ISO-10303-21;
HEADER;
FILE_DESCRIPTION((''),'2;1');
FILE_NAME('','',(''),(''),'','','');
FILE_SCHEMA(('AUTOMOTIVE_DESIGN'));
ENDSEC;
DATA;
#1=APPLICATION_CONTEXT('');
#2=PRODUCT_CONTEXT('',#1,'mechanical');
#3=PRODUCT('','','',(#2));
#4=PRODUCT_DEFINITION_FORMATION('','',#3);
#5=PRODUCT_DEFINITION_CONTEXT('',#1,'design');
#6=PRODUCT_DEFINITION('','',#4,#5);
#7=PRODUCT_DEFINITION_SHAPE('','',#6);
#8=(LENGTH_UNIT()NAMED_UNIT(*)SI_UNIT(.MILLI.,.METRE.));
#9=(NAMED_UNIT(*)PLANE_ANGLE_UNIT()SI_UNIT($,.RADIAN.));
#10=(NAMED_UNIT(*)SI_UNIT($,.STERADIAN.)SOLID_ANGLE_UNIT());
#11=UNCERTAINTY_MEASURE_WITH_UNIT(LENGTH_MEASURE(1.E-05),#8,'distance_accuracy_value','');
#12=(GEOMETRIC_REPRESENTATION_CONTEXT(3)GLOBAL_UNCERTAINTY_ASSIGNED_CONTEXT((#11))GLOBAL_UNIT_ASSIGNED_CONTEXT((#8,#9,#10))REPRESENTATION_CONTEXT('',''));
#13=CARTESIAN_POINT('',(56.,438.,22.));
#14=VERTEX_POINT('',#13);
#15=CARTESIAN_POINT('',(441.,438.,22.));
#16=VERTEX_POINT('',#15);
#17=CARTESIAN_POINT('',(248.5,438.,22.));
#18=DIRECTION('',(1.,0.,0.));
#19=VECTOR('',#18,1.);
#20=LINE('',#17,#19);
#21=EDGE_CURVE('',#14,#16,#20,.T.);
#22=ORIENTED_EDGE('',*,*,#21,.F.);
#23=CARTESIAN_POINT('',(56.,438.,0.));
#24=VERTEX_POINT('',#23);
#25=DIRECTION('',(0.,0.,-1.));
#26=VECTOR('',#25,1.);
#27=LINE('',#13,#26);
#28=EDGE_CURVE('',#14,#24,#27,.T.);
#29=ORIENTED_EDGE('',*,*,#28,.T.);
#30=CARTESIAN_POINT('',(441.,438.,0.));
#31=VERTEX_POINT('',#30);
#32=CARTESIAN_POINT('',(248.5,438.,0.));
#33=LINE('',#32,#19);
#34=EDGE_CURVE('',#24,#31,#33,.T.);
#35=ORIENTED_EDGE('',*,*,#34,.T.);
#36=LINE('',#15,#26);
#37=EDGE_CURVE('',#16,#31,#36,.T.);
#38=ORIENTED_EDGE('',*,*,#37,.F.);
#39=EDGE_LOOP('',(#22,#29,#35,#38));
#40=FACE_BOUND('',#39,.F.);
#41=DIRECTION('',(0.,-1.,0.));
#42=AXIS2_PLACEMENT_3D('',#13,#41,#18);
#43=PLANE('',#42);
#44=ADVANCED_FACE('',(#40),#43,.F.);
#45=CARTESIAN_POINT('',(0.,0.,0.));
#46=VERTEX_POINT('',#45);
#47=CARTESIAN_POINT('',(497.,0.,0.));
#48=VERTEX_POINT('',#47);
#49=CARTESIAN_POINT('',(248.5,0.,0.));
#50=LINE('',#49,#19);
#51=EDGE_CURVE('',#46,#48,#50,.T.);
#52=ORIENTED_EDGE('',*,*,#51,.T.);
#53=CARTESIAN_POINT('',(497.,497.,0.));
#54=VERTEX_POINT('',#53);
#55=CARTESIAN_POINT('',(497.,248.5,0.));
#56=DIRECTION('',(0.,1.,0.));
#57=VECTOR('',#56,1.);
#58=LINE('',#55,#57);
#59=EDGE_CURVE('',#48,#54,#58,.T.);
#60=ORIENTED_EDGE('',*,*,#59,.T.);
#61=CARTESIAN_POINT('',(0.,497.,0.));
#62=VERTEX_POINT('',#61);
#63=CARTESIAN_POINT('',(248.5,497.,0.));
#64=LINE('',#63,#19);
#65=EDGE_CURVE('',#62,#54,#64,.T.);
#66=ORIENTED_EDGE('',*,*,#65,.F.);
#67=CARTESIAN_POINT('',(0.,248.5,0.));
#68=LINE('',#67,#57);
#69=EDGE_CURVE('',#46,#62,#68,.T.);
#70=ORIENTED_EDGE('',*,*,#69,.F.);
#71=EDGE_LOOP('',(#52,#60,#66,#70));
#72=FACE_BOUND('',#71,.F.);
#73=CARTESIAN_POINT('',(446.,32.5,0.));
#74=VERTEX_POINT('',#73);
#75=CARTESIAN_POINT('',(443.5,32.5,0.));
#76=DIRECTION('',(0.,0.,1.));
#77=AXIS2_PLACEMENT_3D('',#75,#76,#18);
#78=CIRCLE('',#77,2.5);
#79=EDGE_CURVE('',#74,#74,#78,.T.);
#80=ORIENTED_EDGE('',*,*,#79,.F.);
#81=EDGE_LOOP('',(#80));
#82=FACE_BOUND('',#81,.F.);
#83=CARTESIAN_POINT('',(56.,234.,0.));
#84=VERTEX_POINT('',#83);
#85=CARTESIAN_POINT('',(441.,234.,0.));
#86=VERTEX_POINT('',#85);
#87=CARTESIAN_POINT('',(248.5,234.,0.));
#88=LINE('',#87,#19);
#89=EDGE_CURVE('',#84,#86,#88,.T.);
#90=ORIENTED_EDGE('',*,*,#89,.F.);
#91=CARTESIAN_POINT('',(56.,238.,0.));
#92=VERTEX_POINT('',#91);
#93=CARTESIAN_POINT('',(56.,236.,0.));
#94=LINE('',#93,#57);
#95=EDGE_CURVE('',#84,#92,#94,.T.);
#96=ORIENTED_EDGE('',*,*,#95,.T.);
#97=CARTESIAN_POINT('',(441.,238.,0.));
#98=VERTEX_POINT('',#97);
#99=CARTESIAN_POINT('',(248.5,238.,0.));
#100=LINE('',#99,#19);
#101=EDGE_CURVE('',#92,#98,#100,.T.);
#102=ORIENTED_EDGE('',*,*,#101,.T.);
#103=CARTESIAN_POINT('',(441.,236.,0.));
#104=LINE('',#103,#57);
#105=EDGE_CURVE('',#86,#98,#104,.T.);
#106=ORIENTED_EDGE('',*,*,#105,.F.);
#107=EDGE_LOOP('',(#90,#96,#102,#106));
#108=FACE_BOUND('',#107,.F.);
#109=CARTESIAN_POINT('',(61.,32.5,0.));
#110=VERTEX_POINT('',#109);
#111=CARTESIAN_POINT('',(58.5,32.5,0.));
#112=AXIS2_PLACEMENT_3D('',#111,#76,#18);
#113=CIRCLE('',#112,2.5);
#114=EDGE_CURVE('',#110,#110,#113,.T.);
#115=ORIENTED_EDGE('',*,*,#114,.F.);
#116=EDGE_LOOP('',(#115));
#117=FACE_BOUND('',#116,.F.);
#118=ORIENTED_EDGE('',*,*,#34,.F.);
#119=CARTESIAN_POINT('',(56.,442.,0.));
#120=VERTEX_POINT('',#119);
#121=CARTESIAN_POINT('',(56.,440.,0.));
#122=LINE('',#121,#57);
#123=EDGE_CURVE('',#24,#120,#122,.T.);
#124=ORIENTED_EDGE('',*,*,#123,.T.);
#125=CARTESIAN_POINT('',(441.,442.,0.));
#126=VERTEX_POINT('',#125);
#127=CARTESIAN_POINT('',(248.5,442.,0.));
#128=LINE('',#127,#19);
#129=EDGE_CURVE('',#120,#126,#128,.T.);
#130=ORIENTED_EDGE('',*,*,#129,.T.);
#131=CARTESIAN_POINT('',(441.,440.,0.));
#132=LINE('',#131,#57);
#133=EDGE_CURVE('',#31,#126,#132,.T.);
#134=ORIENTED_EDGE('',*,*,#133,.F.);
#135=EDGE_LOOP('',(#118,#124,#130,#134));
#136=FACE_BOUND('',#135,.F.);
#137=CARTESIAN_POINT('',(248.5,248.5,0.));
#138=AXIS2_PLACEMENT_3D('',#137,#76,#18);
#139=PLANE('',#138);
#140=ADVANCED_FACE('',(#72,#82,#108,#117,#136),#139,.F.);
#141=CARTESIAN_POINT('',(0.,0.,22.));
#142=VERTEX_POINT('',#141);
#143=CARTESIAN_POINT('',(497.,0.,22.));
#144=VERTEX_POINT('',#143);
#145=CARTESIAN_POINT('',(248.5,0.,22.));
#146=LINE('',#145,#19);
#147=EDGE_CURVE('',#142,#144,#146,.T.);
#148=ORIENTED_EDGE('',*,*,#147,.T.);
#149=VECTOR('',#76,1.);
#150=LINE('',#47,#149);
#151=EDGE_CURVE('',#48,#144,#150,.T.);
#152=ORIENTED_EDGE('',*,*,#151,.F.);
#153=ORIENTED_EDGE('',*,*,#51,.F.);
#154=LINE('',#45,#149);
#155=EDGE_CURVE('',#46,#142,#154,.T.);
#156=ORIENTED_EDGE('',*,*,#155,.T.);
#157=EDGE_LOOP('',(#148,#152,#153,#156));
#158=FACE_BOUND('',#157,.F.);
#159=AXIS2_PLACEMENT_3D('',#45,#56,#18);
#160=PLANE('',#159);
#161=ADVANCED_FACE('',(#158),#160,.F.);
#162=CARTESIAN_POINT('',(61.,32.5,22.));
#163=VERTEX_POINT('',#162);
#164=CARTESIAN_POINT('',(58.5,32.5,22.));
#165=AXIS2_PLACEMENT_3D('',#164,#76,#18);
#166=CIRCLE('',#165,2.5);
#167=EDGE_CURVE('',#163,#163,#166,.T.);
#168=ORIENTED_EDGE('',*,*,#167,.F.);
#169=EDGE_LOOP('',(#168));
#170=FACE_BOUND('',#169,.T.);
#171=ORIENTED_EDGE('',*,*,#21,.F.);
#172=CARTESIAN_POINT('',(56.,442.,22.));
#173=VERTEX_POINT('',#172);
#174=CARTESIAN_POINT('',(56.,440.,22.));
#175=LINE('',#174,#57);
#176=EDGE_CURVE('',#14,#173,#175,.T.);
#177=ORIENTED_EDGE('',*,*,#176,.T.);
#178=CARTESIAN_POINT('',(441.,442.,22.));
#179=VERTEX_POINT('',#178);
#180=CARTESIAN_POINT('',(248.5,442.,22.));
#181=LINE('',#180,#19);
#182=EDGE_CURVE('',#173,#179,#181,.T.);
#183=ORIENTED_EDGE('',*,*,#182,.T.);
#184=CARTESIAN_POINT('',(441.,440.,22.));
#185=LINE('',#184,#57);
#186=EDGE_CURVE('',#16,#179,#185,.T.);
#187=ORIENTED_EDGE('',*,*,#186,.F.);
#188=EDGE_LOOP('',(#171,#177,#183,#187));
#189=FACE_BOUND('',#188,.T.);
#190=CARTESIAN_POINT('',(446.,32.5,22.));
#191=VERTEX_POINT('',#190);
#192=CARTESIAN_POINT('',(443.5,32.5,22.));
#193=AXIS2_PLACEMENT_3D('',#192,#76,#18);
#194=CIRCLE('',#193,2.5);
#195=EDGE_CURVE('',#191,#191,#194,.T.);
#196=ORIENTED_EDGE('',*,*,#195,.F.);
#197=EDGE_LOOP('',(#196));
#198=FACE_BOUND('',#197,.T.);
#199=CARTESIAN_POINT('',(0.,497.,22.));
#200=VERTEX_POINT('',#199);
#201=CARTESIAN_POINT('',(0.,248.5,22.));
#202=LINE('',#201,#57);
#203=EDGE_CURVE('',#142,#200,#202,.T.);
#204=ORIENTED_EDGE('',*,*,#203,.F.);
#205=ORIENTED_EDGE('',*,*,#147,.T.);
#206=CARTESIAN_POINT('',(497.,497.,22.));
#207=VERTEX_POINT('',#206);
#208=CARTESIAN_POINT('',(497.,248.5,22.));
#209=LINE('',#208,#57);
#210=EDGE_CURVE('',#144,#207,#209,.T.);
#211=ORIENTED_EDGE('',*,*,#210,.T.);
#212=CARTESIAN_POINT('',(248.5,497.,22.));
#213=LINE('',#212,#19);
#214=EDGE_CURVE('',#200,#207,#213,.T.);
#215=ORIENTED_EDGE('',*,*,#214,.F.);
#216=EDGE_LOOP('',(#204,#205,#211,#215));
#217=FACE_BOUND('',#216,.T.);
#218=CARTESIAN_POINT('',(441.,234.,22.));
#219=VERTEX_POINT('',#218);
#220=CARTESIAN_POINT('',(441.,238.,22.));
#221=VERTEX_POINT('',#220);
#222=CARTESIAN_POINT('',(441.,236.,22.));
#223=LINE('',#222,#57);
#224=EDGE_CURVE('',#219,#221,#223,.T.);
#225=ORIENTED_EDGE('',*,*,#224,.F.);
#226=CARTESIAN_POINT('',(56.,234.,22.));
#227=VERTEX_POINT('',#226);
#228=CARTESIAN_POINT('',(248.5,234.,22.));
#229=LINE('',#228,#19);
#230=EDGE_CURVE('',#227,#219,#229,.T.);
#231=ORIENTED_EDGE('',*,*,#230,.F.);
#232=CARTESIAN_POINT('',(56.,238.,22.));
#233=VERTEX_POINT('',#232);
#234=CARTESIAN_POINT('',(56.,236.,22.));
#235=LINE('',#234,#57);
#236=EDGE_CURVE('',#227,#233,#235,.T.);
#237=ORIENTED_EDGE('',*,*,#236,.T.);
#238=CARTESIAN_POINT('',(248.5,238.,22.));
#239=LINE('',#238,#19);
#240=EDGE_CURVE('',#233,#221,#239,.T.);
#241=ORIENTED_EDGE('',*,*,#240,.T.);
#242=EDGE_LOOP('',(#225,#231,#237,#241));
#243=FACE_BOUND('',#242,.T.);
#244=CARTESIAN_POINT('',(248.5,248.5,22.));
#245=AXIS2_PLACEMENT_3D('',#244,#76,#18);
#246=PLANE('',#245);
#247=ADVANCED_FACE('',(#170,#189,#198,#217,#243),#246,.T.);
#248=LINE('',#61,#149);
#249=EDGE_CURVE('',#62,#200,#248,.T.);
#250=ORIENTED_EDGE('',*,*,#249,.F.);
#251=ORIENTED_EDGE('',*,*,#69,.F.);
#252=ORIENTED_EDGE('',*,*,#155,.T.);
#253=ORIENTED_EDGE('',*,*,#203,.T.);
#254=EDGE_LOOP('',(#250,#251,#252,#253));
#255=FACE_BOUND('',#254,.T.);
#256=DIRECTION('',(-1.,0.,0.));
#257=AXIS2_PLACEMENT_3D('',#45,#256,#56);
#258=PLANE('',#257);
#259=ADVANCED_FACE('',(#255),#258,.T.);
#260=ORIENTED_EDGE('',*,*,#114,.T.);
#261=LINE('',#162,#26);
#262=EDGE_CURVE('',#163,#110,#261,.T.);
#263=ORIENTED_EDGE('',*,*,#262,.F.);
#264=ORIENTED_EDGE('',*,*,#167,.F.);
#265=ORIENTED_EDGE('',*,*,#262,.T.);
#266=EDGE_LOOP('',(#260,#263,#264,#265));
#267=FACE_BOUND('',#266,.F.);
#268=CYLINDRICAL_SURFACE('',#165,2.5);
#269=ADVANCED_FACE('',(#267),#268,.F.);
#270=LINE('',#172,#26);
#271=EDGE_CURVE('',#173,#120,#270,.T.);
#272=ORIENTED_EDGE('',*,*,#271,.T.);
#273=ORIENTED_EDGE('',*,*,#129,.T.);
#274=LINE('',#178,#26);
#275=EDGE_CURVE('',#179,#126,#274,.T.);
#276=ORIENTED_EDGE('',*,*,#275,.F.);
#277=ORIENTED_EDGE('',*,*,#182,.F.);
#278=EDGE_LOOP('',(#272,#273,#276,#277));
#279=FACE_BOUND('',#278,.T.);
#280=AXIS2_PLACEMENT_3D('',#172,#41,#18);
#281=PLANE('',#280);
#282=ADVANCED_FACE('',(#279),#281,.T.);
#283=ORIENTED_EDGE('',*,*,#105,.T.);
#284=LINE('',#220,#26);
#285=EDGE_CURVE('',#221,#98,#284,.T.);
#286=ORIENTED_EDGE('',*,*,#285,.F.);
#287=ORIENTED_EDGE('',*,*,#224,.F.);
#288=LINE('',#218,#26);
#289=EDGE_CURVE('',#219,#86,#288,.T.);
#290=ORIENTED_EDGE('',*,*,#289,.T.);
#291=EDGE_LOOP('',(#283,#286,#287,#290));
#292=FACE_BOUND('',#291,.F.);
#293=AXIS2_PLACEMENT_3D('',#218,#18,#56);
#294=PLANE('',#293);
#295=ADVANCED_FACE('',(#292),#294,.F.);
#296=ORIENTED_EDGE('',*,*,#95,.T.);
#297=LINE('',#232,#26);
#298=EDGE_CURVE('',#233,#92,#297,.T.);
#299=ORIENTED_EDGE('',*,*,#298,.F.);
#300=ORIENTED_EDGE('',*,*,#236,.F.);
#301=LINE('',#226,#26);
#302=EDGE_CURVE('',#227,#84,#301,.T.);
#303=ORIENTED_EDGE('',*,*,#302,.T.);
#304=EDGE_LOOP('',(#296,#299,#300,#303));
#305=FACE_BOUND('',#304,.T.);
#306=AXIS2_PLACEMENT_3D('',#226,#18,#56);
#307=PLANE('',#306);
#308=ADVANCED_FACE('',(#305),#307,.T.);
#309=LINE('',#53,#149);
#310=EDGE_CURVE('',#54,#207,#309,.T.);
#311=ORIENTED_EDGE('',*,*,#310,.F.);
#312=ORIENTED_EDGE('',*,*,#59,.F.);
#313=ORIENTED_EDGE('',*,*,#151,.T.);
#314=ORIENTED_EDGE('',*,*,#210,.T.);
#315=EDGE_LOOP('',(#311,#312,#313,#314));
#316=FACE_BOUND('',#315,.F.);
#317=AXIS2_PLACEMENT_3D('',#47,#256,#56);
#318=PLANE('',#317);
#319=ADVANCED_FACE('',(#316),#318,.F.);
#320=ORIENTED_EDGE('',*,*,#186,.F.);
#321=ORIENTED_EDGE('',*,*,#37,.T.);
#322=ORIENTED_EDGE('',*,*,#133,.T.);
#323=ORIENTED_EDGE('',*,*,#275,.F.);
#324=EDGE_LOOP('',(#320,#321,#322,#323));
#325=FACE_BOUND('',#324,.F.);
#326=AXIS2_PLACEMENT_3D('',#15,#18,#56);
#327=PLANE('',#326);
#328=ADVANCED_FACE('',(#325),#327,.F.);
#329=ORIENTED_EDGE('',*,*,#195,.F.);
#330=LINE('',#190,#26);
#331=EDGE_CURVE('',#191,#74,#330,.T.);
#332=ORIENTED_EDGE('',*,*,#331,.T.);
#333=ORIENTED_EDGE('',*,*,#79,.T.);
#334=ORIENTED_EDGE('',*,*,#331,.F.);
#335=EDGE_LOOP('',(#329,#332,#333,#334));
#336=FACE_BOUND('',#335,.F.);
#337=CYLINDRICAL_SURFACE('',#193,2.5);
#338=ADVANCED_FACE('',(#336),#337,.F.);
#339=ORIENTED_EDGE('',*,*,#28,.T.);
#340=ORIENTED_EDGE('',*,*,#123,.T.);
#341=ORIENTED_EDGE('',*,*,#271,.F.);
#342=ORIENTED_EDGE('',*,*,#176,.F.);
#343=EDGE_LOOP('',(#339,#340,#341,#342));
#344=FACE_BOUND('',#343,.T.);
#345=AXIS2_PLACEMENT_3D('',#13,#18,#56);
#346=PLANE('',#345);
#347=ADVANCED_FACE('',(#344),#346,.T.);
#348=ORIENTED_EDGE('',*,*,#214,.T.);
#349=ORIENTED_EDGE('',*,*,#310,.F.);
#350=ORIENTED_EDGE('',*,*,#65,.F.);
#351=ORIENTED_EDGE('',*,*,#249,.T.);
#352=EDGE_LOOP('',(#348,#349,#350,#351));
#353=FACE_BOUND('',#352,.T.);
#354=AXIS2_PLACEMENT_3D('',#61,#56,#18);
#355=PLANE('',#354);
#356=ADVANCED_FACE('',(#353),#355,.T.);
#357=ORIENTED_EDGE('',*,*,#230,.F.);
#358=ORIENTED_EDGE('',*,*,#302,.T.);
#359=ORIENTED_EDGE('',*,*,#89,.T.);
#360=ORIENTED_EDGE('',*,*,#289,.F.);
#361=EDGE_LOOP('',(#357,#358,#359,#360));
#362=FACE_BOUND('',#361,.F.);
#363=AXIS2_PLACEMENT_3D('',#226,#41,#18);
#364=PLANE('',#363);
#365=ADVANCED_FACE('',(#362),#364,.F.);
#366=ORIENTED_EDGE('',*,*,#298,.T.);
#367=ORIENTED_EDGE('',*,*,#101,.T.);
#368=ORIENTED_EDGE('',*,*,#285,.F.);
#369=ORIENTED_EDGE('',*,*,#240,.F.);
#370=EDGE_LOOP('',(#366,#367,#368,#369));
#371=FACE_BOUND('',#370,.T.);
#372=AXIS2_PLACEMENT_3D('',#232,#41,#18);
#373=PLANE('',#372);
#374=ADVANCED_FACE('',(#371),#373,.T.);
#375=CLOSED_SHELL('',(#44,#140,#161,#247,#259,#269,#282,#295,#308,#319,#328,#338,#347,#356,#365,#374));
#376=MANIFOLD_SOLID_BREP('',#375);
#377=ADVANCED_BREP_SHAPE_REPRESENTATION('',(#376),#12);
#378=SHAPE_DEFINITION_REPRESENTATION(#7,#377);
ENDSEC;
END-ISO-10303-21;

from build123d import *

# Parameters (mm, degrees)
F0_W     = 497
F0_H     = 497
F1_DEPTH = 22
F2_W     = 385
F2_H     = 4
F2_R     = 2.5
F3_DEPTH = 22


with BuildPart() as f1:
    # F0 (on Top) → F1 (new body)
    with BuildSketch(Plane.XY):
        with Locations((248.5, 248.5)):
            Rectangle(F0_W, F0_H)
    extrude(amount=F1_DEPTH)

    # F2 (on face) → F3 (cut, through all)
    with BuildSketch(Plane.XY.offset(22)):
        with Locations((248.5, 440)):
            Rectangle(F2_W, F2_H)
        with Locations((58.5, 32.5)):
            Circle(F2_R)
        with Locations((443.5, 32.5)):
            Circle(F2_R)
        with Locations((248.5, 236)):
            Rectangle(F2_W, F2_H)
    extrude(amount=-F3_DEPTH, mode=Mode.SUBTRACT)


solid = f1.part
